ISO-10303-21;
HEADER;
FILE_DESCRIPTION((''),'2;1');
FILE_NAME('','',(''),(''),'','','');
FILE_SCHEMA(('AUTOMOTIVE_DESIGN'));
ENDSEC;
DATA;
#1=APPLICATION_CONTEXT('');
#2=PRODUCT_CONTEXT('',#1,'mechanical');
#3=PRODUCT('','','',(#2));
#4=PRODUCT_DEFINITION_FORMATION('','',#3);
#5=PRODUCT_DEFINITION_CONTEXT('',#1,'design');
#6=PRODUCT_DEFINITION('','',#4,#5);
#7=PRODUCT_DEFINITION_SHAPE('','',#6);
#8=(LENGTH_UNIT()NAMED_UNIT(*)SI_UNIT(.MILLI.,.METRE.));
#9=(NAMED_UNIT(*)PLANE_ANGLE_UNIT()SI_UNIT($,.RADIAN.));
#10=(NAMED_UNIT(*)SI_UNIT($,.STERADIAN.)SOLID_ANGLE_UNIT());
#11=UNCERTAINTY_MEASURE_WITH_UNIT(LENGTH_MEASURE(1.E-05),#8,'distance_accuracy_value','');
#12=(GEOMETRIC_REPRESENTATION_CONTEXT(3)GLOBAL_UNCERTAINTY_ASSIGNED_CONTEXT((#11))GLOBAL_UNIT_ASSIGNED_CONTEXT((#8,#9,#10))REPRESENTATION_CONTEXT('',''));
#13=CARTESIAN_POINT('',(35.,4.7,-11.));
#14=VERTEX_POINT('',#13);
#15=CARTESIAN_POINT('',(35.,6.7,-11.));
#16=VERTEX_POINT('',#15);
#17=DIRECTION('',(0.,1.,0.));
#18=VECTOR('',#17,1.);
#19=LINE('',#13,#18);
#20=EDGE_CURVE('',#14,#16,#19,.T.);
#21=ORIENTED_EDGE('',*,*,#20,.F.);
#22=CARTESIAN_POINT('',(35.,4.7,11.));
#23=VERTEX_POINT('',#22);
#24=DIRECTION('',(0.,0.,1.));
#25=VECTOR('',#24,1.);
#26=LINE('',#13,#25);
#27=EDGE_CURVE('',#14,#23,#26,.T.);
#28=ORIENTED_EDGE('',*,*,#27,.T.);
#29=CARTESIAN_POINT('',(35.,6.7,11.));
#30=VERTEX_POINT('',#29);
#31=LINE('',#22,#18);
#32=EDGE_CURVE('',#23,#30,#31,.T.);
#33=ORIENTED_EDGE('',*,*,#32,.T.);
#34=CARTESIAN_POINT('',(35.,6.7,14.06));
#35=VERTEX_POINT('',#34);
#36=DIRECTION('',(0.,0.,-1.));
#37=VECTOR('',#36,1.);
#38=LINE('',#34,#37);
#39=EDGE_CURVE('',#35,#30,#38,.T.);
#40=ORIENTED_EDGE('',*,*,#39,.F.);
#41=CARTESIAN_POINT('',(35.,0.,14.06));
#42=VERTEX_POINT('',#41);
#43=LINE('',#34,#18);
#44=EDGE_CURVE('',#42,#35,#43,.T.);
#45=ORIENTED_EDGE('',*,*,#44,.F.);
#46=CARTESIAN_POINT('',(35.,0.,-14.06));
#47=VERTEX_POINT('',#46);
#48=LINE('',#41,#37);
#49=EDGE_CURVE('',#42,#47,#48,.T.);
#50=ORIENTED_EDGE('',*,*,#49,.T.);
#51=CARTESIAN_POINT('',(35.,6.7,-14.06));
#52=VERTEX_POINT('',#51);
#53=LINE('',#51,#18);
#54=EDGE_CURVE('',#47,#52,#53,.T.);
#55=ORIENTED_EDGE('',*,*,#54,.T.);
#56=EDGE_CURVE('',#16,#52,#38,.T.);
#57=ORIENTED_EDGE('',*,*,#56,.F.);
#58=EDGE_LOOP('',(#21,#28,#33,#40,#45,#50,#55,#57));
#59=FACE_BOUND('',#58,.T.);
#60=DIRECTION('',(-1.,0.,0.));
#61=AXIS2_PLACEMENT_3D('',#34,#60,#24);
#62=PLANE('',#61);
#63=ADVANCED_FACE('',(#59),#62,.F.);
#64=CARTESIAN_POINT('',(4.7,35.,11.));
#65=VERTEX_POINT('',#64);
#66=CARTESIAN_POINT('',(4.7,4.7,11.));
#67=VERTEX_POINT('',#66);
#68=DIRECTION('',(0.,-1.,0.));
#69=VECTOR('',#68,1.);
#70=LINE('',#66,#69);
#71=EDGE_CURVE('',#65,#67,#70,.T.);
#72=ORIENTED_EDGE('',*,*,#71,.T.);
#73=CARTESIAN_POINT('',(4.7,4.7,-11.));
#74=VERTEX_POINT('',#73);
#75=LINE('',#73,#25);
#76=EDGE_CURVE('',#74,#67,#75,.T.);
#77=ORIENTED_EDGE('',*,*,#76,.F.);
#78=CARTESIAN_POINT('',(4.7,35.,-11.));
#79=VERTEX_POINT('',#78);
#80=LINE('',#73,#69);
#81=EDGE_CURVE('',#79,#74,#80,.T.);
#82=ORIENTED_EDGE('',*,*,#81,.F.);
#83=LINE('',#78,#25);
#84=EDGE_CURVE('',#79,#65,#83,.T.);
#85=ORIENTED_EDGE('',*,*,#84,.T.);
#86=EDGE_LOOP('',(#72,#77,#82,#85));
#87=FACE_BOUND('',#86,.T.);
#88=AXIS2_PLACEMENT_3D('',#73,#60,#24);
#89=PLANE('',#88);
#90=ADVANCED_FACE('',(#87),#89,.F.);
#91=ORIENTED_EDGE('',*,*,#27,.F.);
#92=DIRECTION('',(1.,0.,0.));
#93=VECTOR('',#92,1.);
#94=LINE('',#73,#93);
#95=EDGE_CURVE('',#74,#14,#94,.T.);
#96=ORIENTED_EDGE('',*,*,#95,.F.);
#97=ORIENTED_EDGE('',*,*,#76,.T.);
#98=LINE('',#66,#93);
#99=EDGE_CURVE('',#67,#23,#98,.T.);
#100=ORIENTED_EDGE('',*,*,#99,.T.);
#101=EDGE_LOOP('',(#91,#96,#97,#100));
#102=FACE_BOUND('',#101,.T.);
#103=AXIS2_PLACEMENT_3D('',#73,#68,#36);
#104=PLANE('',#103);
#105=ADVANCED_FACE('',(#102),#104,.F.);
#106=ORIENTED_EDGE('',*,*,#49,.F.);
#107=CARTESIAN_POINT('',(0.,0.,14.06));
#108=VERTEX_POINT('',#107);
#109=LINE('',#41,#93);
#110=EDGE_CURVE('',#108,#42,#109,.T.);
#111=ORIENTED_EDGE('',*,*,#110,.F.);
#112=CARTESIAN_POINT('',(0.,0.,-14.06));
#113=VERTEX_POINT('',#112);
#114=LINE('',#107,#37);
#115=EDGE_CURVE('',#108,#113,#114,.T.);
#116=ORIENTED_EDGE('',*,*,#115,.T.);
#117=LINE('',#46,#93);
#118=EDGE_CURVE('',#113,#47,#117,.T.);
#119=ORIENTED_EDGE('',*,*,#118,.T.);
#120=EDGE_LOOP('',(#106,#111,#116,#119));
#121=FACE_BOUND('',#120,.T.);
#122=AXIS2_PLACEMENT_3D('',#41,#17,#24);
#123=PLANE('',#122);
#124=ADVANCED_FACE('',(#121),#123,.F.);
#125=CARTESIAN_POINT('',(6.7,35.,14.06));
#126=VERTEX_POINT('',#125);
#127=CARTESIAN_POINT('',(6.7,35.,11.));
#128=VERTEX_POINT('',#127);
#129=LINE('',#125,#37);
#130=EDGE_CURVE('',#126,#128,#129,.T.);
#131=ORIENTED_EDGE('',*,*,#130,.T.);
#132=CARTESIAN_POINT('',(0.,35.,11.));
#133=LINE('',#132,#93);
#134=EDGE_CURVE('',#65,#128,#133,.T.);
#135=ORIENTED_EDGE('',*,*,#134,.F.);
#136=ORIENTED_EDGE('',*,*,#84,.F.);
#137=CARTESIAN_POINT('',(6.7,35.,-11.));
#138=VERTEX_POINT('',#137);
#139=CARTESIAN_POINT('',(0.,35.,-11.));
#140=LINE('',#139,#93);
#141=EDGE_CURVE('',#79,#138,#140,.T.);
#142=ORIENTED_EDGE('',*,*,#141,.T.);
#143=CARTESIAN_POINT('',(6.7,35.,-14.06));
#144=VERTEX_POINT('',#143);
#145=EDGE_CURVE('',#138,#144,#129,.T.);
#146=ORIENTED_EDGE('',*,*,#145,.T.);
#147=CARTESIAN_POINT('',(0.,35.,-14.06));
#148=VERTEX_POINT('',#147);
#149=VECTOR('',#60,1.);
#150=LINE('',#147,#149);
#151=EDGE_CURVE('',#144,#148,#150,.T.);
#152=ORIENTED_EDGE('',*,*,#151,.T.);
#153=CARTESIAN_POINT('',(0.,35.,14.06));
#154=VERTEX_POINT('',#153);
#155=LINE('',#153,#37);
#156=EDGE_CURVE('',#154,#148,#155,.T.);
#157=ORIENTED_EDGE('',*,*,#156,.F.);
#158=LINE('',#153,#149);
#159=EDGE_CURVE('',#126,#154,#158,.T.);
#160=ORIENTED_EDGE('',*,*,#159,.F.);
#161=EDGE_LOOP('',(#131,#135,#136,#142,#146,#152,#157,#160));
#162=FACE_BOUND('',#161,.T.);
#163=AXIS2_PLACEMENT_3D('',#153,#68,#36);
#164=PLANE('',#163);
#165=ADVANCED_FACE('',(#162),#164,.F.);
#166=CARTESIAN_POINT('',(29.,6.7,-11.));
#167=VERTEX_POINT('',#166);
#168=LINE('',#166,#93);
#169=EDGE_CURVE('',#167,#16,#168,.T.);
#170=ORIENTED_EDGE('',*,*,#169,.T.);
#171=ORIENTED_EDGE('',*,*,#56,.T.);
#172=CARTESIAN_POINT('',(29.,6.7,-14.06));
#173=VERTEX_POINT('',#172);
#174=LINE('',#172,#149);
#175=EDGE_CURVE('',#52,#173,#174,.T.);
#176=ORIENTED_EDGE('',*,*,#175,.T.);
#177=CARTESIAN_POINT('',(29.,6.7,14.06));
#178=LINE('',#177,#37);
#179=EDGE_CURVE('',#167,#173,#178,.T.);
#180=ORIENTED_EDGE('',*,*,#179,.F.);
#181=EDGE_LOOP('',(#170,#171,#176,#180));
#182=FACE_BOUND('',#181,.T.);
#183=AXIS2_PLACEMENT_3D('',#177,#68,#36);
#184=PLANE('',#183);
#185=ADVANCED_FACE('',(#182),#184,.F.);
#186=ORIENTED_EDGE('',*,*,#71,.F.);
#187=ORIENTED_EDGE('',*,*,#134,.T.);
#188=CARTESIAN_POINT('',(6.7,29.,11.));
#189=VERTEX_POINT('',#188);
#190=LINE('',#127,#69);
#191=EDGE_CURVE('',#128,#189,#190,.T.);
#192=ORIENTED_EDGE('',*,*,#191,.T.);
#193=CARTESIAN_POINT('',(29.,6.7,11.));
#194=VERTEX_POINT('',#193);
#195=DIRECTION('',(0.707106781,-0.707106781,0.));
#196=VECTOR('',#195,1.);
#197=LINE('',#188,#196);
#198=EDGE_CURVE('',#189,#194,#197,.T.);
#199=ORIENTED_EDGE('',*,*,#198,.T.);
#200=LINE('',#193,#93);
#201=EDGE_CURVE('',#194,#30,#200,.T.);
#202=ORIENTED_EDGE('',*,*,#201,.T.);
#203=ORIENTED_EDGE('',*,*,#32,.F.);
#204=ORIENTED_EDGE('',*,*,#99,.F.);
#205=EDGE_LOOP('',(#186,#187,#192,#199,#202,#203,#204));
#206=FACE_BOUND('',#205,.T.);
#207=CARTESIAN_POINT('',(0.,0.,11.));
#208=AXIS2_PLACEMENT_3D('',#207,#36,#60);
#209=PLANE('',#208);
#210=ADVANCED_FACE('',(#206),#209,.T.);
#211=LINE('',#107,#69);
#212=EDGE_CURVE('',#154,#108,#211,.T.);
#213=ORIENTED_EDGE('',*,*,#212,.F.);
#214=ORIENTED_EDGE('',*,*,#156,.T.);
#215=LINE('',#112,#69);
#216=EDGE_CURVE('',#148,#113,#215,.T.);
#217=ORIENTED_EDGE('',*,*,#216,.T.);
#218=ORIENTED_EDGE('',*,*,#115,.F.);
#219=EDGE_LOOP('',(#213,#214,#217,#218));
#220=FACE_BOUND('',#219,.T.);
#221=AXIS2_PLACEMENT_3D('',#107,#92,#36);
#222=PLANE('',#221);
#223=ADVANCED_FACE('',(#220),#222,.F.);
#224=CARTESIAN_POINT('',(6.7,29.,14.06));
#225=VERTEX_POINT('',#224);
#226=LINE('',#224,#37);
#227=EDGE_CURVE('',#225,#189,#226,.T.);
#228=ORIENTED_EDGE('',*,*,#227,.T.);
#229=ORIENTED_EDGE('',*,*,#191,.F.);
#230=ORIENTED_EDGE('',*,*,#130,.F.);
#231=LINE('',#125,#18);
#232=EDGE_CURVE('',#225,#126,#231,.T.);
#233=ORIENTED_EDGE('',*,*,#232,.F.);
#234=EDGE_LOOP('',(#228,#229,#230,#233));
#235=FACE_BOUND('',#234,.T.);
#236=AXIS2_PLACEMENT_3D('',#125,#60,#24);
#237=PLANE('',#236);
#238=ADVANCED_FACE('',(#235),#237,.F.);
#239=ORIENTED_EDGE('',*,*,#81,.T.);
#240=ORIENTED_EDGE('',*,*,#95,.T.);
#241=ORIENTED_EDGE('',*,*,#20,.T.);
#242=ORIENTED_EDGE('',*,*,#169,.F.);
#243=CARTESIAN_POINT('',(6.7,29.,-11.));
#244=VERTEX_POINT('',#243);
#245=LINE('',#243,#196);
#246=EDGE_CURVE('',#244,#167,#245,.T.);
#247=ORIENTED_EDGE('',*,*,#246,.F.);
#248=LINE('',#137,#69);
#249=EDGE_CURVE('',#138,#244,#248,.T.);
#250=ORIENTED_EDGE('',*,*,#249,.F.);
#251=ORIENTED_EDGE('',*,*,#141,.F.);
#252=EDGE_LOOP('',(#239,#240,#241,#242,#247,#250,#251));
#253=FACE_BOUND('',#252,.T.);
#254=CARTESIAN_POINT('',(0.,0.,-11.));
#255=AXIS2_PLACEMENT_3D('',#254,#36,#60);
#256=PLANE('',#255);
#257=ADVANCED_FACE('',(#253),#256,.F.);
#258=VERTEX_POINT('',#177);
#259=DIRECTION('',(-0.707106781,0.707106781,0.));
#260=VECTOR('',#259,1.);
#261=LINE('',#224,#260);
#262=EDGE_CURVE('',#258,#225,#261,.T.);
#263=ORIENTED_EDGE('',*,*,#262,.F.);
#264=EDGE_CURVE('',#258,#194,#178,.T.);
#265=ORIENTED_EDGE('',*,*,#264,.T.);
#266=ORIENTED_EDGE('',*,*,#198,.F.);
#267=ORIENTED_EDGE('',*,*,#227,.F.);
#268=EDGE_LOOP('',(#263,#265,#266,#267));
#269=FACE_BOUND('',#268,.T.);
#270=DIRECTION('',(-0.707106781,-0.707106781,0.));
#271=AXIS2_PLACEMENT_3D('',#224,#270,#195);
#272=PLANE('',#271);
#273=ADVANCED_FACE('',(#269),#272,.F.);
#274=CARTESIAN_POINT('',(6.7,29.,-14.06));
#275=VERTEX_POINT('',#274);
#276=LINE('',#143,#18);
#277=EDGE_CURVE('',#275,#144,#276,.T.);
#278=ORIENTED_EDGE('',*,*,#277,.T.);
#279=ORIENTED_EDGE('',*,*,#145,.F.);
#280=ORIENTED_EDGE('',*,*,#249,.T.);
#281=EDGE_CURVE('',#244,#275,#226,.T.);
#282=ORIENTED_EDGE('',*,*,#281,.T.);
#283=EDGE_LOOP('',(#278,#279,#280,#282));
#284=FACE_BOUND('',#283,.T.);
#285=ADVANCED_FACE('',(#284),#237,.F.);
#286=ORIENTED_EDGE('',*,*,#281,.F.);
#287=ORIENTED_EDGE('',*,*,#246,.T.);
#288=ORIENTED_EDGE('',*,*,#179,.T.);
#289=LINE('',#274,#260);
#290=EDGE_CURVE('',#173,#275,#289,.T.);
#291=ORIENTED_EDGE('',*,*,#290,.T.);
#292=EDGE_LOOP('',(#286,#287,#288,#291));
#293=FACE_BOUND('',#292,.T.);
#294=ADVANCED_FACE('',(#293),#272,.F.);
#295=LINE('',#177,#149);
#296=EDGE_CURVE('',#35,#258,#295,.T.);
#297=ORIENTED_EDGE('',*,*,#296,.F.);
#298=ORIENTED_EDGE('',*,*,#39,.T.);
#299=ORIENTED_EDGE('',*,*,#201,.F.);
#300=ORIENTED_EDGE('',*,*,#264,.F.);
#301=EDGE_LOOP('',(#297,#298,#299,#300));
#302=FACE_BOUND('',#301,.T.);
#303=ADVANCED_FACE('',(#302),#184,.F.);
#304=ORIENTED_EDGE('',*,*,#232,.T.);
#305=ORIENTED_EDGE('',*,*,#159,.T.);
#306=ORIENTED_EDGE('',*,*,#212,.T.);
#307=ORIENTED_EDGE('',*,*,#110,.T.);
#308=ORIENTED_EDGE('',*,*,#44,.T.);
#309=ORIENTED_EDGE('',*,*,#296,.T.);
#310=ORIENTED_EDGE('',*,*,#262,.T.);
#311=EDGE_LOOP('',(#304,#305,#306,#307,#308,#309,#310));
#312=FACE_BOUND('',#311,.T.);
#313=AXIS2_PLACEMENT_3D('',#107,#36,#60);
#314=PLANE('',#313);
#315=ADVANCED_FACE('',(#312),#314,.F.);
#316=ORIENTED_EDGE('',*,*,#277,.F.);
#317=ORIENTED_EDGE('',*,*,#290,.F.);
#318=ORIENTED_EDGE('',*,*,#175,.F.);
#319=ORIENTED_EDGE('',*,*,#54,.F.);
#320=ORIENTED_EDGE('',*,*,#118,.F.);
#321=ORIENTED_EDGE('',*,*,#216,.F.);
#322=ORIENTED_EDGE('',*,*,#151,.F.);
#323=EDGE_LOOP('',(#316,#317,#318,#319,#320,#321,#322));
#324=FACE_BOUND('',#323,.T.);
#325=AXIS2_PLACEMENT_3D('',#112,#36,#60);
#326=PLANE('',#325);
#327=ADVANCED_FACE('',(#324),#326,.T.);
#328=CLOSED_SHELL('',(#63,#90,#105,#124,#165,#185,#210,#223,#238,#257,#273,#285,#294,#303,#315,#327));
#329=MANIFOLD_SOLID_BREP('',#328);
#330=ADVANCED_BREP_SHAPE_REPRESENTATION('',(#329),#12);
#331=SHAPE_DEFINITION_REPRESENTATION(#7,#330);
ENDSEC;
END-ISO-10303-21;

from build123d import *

# Parameters (mm, degrees)
SALIENTE_EXTRUIR1_DEPTH = 14.06
CROQUIS4_W              = 30.3
CROQUIS4_H              = 30.3
CORTAR_EXTRUIR1_DEPTH   = 11


with BuildPart() as part:
    # Croquis1 → Saliente-Extruir1 (new body, symmetric)
    with BuildSketch(Plane.XY):
        Polygon((0, 0), (0, 35), (6.7, 35), (6.7, 29), (29, 6.7), (35, 6.7), (35, 0), align=None)
    extrude(amount=SALIENTE_EXTRUIR1_DEPTH, both=True)

    # Croquis4 → Cortar-Extruir1 (cut, symmetric)
    with BuildSketch(Plane.XY):
        with Locations((19.85, 19.85)):
            Rectangle(CROQUIS4_W, CROQUIS4_H)
    extrude(amount=CORTAR_EXTRUIR1_DEPTH, both=True, mode=Mode.SUBTRACT)


solid = part.part
